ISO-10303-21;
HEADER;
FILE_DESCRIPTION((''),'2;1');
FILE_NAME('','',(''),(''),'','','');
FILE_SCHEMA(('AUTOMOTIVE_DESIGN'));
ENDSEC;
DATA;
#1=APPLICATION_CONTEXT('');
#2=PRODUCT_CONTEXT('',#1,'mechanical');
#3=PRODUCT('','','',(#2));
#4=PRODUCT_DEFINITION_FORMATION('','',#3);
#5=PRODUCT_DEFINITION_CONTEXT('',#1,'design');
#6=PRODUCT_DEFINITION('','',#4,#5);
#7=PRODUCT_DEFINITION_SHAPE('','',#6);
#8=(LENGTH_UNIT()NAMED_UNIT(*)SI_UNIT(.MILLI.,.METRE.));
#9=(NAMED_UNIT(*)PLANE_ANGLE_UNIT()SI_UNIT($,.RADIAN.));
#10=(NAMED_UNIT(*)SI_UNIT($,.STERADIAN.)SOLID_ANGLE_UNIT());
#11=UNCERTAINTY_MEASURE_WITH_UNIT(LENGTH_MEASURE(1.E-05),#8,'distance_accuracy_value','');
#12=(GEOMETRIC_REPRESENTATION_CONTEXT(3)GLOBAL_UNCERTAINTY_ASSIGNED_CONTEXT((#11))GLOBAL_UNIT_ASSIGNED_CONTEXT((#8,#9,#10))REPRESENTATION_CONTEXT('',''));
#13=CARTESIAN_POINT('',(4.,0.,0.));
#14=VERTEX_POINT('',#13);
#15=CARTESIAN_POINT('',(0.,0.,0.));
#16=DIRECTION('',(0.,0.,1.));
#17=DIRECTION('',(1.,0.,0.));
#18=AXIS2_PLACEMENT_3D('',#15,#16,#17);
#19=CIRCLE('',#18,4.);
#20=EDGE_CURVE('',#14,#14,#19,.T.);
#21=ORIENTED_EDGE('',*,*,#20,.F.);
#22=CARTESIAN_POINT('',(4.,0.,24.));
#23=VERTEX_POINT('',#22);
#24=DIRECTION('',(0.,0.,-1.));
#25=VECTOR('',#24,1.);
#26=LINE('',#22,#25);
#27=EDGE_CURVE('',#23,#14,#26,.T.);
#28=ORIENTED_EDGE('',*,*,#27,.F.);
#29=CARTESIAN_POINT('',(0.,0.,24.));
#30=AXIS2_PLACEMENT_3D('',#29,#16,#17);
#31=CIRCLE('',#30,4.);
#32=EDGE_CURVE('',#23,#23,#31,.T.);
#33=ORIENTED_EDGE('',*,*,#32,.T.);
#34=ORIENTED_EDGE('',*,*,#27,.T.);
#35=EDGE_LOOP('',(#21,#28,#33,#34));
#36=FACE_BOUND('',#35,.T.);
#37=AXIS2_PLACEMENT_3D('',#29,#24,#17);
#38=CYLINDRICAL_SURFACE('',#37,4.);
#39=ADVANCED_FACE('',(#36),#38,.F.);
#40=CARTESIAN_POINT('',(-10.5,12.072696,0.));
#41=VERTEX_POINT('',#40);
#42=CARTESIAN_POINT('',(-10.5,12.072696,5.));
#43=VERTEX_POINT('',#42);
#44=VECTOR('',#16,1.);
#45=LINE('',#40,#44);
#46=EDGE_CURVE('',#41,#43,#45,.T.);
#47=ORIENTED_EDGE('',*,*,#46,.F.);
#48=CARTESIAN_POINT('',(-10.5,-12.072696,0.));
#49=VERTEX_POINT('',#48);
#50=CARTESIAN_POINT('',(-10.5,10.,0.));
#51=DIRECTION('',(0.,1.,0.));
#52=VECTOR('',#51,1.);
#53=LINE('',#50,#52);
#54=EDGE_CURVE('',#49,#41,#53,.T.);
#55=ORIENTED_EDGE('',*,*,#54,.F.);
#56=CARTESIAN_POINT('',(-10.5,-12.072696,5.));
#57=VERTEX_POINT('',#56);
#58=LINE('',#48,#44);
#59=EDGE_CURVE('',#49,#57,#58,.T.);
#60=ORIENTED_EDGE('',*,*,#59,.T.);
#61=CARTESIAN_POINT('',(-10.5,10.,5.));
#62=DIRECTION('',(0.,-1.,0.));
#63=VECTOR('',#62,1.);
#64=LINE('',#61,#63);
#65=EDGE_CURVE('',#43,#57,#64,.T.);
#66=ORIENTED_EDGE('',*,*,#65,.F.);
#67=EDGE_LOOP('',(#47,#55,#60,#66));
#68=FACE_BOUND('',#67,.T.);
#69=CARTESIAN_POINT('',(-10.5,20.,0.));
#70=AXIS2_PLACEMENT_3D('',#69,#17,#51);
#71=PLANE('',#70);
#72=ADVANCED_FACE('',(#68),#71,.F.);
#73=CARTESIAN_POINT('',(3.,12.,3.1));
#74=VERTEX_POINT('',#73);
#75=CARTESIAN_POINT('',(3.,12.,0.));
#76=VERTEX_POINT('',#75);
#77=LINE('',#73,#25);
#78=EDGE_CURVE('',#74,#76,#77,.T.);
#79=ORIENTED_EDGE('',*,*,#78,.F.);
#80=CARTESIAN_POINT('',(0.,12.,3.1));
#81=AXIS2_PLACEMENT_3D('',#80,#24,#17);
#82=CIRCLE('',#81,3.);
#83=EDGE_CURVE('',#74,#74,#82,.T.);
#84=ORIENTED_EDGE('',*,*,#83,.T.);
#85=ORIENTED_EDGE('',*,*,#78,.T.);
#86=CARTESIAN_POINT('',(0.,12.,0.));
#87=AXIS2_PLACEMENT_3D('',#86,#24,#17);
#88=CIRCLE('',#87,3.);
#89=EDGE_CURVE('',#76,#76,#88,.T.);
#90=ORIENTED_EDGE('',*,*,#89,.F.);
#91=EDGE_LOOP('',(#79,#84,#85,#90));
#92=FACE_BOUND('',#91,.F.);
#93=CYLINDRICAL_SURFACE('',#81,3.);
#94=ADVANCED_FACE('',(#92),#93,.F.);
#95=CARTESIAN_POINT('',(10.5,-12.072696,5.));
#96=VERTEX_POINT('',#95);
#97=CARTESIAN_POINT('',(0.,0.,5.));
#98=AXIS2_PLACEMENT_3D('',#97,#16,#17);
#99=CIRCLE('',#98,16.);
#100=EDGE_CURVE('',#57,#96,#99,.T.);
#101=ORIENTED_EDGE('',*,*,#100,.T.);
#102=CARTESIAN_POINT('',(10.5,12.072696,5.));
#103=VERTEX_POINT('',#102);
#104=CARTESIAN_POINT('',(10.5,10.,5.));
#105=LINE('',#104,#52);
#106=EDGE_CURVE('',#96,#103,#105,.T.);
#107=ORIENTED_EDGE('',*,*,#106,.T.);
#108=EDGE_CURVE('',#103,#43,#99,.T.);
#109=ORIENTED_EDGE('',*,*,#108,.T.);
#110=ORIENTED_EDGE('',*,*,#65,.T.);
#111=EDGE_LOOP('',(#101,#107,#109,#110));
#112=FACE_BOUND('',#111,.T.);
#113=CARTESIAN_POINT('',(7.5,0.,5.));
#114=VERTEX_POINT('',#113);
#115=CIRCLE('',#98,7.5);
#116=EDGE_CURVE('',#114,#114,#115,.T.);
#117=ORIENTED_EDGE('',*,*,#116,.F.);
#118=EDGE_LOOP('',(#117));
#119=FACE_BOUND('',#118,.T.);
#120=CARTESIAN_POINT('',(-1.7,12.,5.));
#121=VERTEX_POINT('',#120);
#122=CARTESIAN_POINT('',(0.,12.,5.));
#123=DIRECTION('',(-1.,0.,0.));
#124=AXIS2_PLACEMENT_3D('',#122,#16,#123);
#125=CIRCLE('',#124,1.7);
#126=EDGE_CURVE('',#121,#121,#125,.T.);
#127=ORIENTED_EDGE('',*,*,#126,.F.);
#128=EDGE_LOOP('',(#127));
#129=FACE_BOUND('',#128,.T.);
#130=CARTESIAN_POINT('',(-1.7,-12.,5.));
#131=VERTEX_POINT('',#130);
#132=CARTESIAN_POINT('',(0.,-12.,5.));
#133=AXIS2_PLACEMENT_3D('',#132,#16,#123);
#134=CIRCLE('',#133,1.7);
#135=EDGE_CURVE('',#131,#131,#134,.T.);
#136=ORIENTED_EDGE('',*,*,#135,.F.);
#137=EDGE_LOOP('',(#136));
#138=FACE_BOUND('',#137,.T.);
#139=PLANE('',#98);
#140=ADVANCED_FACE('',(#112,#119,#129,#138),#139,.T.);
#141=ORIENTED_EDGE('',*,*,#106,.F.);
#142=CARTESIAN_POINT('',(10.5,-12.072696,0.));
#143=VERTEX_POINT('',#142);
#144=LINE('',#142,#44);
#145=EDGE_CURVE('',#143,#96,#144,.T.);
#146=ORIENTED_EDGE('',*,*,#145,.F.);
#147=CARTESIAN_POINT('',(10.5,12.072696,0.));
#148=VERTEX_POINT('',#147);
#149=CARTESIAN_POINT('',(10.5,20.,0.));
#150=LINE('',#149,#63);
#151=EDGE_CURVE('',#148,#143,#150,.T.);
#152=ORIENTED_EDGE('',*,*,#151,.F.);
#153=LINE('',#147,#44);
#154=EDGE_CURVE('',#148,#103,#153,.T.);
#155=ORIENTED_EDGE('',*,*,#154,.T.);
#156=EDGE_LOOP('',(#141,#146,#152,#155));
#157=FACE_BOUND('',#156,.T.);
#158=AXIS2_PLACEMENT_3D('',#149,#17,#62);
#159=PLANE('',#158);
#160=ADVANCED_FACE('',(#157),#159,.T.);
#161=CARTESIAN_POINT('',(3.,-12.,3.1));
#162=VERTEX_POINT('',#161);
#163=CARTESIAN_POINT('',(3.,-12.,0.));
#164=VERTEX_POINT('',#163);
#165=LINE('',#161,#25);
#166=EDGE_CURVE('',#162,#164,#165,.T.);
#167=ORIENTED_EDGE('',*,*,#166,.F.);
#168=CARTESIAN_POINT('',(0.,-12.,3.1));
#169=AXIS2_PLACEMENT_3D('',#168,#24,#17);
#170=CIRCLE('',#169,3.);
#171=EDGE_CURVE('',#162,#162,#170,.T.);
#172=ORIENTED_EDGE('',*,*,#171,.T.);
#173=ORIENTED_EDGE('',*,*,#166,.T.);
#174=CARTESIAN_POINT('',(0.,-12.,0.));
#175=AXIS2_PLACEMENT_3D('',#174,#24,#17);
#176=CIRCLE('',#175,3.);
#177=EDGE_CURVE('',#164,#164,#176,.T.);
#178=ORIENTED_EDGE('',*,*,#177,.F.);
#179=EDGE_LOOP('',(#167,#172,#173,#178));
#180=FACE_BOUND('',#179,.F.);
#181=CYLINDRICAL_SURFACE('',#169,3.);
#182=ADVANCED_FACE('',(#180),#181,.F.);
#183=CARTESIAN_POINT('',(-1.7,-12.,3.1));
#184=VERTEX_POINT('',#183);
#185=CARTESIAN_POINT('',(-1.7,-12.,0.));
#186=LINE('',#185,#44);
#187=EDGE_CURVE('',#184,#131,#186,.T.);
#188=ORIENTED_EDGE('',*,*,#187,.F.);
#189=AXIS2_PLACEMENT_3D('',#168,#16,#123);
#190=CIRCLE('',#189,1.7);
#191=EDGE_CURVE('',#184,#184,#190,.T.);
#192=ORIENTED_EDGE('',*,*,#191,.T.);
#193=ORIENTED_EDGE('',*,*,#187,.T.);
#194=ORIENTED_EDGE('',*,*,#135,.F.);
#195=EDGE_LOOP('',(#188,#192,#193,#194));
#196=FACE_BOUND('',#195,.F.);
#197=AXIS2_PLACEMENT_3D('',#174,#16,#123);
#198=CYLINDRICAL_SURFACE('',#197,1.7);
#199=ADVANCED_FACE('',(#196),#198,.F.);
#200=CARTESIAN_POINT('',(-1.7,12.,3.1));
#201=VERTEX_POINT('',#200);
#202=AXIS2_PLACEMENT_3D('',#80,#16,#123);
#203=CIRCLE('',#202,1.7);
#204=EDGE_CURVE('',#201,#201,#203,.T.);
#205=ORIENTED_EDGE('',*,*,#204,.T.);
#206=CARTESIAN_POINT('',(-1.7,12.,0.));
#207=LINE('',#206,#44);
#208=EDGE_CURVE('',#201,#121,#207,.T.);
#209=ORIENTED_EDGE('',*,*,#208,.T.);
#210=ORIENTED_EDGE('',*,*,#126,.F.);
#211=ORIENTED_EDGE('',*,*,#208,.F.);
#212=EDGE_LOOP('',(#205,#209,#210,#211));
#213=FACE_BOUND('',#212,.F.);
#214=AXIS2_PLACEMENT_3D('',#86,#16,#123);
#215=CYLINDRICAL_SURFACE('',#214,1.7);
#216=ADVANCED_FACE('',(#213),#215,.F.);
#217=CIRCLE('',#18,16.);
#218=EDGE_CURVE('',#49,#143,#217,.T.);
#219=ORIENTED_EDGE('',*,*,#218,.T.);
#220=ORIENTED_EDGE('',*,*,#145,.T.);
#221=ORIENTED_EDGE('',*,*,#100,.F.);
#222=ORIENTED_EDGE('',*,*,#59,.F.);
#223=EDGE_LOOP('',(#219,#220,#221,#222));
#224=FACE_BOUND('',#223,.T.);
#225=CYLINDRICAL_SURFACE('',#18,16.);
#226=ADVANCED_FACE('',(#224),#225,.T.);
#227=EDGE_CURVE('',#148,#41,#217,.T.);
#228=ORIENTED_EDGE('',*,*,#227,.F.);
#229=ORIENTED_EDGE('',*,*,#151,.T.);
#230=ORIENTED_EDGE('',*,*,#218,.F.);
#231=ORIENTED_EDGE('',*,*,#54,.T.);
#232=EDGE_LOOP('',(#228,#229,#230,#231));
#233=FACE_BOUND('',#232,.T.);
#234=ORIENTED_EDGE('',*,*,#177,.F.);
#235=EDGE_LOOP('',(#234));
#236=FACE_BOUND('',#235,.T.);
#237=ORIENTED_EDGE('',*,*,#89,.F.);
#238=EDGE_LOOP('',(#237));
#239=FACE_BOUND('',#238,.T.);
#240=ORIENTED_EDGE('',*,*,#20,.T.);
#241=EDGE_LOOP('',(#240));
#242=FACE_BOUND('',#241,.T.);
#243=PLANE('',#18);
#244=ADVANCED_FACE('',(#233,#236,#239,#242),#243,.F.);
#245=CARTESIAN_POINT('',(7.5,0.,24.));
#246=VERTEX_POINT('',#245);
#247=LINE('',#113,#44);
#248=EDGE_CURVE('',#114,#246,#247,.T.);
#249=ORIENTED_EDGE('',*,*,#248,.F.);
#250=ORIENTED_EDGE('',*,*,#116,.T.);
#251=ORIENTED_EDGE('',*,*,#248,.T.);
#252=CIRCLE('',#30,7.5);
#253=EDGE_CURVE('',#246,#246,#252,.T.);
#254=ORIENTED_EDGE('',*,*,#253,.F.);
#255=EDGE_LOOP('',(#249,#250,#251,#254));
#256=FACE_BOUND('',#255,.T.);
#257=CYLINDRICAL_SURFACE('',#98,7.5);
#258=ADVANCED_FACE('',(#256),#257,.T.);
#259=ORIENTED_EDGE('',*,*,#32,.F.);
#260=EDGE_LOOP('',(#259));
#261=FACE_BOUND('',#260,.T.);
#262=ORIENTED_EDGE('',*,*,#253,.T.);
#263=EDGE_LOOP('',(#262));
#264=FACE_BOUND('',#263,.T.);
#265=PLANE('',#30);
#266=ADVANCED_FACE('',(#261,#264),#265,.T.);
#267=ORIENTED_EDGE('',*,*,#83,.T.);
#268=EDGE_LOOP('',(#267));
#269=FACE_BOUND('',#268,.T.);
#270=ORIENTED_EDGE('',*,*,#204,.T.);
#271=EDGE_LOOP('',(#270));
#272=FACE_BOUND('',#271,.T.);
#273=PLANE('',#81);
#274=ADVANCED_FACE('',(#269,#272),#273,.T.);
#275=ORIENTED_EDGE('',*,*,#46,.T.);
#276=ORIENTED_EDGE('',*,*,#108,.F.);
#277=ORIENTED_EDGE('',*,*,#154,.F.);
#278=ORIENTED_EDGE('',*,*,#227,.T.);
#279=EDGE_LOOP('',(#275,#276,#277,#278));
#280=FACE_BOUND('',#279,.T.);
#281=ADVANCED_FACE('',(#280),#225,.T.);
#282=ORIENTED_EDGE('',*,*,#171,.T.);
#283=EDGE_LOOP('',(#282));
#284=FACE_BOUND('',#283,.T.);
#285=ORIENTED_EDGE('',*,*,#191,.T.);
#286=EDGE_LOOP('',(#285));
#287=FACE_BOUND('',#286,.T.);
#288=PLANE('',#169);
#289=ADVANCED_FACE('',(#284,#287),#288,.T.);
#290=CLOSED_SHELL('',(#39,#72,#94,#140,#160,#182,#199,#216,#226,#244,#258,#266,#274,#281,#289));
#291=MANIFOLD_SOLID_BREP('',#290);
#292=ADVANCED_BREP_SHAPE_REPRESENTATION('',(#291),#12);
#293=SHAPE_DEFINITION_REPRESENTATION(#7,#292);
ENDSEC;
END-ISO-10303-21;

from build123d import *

# Parameters (mm, degrees)
POCKET_DEPTH      = 102.450988
POCKET_DEPTH_BACK = 126.450988
HOLE_D            = 3.4
HOLE_CBORE_D      = 6
HOLE_CBORE_DEPTH  = 3.1


with BuildPart() as part:
    # Sketch → Revolution (revolve)
    with BuildSketch(Plane.XZ):
        Polygon((16, 0), (16, 5), (7.5, 5), (7.5, 24), (4, 24), (4, 0), align=None)
    revolve(axis=Axis((0, 0, 0), (0, 0, 1)))

    # Sketch001 → Pocket (cut, two sides)
    with BuildSketch(Plane.XY) as pocket_sk:
        Polygon((10.5, 20), (50.5, 20), (50.5, -20), (10.5, -20), (10.5, 0), align=None)
    pocket = extrude(amount=-POCKET_DEPTH, mode=Mode.SUBTRACT) + extrude(pocket_sk.sketch, amount=POCKET_DEPTH_BACK, mode=Mode.SUBTRACT)

    # Mirrored: Pocket across Sketch001 V_Axis
    add(pocket.mirror(Plane(origin=(0, 0, 0), x_dir=(0, 0, 1), z_dir=(1, 0, 0))), mode=Mode.SUBTRACT)

    # Hole (through all)
    with Locations(Plane(origin=(0, 0, 0), x_dir=(1, 0, 0), z_dir=(0, 0, -1))):
        with Locations((0, -12), (0, 12)):
            CounterBoreHole(HOLE_D / 2, HOLE_CBORE_D / 2, HOLE_CBORE_DEPTH)


solid = part.part
